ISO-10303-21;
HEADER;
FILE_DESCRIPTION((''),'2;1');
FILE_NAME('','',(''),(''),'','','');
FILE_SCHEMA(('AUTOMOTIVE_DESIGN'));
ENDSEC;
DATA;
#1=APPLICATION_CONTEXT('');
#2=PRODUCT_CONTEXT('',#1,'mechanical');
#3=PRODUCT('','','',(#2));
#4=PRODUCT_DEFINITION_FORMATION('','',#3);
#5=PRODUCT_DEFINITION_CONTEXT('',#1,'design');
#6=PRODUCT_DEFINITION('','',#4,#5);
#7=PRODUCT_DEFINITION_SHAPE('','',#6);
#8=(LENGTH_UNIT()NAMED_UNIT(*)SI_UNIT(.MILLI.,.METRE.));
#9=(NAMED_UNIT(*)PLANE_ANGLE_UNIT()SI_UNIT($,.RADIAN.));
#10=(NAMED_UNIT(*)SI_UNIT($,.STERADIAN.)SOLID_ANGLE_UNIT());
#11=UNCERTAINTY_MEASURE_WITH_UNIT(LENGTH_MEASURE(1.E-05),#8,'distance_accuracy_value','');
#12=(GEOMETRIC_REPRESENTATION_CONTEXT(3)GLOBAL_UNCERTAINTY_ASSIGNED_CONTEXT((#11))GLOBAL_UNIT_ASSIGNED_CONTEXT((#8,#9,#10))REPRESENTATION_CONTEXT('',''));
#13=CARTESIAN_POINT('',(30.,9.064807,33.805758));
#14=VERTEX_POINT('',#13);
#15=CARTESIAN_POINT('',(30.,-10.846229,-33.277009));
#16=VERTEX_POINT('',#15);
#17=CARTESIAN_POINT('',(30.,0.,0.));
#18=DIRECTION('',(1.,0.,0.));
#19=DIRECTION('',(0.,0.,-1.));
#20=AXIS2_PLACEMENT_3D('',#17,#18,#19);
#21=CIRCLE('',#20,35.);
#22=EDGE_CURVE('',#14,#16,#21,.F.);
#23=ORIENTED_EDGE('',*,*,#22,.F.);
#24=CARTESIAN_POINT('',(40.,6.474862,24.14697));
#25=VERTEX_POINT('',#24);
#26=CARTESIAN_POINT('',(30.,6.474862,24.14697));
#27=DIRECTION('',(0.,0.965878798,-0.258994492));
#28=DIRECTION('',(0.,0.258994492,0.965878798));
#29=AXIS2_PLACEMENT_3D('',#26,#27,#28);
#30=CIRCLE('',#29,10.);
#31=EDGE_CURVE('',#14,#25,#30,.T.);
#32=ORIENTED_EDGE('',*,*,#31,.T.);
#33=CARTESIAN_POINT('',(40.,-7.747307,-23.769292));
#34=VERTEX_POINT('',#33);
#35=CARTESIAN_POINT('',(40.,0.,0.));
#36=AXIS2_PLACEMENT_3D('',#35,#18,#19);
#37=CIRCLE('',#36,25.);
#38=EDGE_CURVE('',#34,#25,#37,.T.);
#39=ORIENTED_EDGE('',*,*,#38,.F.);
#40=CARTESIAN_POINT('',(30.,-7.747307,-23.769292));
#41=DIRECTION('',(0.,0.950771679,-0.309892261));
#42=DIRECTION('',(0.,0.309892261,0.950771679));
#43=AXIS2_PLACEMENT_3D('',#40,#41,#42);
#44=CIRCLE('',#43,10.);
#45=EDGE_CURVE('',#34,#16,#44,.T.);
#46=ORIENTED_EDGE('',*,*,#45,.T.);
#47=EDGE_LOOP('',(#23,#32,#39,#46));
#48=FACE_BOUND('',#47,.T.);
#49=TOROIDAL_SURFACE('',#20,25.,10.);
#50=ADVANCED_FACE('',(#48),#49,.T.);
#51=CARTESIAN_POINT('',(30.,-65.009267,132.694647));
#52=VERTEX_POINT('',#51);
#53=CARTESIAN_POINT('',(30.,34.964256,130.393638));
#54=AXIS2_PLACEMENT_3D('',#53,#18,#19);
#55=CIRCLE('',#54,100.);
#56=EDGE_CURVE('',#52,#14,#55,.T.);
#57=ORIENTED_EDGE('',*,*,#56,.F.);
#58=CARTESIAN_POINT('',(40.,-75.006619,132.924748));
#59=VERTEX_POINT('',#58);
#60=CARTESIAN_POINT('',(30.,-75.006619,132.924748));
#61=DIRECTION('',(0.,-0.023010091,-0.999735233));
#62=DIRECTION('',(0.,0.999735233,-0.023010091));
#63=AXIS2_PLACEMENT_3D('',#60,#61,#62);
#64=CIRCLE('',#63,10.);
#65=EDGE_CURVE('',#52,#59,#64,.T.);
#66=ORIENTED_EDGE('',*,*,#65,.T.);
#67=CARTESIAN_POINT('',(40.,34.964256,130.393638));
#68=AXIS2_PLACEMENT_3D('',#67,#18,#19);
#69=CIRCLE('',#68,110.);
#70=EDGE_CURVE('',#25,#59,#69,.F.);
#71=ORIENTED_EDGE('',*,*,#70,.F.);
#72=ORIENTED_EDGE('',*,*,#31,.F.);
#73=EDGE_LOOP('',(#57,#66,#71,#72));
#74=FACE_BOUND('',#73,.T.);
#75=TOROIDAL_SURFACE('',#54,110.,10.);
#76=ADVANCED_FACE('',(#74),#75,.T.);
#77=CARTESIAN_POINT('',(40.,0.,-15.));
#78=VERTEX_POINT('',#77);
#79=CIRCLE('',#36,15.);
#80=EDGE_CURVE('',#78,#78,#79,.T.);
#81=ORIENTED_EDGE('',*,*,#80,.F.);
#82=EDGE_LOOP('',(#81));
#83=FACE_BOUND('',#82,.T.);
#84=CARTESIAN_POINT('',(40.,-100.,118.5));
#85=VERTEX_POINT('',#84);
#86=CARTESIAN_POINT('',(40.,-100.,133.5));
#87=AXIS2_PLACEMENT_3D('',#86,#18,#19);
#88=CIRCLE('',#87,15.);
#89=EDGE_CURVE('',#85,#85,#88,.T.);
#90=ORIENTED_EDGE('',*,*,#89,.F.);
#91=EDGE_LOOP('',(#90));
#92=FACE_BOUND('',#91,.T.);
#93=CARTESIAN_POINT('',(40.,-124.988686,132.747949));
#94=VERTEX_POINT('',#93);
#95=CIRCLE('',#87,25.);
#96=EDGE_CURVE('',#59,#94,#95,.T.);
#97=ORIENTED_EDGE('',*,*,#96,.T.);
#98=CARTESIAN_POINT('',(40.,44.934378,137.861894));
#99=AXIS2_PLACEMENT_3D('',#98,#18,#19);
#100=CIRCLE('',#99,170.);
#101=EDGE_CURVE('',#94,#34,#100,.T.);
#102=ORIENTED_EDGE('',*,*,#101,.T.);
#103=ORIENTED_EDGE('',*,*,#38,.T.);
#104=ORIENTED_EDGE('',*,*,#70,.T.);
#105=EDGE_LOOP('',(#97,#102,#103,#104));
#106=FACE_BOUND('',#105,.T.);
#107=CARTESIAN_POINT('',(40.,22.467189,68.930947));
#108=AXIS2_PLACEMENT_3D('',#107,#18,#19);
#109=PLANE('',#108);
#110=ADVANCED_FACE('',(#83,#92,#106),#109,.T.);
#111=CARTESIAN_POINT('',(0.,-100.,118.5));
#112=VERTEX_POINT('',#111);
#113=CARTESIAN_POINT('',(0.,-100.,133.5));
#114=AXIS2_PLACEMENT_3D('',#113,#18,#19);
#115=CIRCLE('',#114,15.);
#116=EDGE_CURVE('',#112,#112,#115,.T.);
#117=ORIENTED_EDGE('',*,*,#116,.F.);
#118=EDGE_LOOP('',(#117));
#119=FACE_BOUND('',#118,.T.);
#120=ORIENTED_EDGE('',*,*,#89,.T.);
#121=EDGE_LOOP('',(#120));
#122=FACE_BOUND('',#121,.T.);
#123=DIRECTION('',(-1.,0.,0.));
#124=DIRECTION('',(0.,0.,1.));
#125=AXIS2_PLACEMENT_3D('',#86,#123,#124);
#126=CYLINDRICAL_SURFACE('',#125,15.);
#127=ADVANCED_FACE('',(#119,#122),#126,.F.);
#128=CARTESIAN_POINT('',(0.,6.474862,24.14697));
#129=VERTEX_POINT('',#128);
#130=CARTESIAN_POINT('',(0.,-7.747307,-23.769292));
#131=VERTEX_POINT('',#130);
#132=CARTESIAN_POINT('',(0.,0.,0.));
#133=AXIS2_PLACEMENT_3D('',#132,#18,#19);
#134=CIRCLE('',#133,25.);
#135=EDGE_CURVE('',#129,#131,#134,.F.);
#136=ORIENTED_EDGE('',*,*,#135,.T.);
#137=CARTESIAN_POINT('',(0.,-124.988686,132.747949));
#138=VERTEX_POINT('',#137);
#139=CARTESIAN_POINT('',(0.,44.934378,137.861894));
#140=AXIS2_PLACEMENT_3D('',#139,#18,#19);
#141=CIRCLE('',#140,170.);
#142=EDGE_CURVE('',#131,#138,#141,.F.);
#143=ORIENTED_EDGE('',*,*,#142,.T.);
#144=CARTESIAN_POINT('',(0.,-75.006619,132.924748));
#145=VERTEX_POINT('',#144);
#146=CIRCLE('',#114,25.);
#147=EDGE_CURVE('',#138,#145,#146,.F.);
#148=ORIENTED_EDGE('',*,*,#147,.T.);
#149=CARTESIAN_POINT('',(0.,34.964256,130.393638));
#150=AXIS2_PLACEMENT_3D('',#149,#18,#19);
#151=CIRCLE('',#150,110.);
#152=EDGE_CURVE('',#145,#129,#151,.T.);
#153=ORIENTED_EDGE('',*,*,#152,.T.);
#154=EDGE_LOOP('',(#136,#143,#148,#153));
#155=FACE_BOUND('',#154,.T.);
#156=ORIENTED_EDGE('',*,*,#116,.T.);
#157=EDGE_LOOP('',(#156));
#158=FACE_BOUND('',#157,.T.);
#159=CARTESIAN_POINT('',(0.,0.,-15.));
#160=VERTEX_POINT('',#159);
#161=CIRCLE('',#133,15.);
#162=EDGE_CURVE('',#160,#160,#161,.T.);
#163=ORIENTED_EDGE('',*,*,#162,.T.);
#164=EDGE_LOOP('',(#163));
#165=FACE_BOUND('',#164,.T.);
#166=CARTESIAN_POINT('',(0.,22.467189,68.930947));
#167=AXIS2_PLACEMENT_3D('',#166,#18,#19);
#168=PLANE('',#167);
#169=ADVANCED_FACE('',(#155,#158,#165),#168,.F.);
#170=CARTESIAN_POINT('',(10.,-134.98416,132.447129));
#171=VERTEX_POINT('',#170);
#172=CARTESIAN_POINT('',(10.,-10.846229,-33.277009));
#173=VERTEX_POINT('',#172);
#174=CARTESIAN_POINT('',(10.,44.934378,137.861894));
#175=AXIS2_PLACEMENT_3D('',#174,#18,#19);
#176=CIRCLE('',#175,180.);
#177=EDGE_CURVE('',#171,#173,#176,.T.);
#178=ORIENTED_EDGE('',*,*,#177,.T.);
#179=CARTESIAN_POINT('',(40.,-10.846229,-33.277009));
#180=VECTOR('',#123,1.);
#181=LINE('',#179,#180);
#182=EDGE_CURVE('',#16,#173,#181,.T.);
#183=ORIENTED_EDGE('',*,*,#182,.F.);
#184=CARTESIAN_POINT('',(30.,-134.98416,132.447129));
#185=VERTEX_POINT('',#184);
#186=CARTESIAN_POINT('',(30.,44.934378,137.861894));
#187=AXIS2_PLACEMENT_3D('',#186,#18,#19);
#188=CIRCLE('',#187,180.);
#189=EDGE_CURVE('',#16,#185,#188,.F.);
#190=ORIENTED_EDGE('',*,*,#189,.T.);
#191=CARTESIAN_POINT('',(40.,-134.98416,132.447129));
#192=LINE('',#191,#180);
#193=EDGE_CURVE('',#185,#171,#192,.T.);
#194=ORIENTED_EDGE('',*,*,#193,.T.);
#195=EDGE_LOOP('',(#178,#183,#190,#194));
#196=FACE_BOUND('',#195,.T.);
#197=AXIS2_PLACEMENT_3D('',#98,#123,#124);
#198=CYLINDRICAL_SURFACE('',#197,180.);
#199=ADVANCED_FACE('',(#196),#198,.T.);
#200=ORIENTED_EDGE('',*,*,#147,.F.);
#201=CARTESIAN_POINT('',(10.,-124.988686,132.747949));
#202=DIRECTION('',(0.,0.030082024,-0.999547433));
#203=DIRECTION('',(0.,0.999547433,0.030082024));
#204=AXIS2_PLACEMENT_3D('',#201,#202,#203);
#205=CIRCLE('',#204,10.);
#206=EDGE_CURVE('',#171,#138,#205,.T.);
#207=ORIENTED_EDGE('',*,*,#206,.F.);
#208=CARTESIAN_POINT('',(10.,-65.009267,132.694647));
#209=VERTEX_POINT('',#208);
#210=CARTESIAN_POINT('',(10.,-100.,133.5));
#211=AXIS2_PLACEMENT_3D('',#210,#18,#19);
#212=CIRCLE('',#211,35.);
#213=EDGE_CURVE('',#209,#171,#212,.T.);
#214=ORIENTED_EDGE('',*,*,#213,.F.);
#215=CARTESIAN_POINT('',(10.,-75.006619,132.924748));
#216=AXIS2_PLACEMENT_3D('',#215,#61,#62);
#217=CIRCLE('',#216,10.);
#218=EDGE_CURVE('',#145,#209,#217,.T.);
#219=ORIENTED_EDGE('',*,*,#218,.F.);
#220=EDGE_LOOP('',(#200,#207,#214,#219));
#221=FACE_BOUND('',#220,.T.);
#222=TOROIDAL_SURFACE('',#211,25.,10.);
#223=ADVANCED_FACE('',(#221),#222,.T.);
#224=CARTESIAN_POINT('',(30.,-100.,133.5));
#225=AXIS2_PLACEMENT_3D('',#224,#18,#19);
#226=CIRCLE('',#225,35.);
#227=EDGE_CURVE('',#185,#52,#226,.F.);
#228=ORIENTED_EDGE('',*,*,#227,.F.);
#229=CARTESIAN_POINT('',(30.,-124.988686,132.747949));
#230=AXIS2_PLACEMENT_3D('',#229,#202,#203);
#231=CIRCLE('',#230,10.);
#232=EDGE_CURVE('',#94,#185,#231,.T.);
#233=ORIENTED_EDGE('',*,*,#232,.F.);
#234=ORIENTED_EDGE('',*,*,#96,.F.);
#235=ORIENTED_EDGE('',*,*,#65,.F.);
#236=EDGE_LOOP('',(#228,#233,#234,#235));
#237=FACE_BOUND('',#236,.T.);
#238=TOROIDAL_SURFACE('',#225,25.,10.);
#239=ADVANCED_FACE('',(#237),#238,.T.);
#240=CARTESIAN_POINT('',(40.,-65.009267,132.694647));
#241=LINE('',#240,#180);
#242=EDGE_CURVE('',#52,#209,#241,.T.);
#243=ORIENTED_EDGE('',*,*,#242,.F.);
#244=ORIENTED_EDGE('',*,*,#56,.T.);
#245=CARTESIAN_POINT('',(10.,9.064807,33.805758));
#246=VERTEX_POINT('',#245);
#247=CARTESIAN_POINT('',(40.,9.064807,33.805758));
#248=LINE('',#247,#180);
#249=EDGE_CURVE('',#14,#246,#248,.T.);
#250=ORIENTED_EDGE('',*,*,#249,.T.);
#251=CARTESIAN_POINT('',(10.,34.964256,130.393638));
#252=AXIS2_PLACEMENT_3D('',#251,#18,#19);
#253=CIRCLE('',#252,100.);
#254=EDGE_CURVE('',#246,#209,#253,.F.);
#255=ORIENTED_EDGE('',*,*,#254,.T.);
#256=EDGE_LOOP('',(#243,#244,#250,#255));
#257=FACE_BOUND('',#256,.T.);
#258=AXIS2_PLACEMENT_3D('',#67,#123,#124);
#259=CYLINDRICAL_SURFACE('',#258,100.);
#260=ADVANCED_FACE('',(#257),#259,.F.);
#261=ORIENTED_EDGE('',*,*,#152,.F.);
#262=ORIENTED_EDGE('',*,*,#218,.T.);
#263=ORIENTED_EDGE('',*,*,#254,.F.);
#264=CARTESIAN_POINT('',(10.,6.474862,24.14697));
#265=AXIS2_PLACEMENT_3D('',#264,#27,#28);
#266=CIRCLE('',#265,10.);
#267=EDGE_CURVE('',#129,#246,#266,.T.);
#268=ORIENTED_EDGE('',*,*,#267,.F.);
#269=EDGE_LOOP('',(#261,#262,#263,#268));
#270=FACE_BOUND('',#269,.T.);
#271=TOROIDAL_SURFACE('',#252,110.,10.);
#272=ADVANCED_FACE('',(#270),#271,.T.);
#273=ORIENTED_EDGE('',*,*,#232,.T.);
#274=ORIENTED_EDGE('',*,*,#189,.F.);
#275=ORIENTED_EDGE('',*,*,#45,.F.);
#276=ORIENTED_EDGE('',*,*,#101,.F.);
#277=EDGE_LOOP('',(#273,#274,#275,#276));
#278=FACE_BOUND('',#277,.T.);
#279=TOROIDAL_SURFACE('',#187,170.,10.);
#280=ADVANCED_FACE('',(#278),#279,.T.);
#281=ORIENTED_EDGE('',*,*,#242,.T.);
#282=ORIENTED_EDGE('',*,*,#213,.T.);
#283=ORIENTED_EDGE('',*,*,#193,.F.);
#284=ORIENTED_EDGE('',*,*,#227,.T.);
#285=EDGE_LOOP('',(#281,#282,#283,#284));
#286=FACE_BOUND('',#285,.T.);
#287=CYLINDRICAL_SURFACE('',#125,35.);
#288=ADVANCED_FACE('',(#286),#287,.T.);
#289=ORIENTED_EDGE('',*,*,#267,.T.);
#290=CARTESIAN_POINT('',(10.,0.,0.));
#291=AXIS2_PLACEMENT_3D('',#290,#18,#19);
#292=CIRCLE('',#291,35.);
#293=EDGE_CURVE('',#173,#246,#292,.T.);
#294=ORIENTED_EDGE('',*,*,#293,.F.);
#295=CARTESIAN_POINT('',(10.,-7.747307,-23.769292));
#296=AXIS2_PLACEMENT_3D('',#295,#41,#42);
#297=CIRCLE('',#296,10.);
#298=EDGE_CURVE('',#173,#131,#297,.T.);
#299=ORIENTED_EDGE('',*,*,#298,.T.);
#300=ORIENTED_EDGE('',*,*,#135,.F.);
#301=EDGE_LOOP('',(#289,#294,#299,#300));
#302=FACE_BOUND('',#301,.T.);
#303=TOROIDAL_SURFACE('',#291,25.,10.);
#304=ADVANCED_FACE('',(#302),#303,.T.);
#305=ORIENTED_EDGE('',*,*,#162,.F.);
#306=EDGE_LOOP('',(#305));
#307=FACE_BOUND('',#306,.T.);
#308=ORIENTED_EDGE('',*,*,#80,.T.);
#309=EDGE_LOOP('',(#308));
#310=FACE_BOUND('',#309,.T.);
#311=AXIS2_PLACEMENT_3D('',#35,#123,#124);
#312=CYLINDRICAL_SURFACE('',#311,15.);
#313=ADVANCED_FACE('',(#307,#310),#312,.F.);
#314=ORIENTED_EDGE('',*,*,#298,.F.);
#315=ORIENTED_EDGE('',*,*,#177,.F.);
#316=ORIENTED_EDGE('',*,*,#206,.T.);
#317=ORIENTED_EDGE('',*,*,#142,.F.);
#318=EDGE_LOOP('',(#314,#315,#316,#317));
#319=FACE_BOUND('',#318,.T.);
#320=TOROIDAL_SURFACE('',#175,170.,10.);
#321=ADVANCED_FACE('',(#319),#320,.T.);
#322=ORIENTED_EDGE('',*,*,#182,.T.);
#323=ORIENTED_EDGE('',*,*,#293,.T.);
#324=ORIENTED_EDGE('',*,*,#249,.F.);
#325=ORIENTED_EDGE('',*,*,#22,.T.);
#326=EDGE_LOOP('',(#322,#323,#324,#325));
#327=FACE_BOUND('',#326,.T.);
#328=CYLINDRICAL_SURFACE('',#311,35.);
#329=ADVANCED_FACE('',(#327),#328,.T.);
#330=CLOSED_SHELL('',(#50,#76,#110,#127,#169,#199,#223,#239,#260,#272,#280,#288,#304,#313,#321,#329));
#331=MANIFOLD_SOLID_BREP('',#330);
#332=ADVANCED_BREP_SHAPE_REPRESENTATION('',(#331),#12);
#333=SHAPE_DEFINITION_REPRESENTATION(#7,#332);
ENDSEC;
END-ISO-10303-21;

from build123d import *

# Parameters (mm, degrees)
SKETCH1_R           = 15
BOSS_EXTRUDE1_DEPTH = 40
FILLET1_R           = 10


with BuildPart() as part:
    # Sketch1 → Boss-Extrude1 (new body)
    with BuildSketch(Plane(origin=(0, 0, 0), x_dir=(0, 0, -1), z_dir=(1, 0, 0))):
        with BuildLine():
            ThreePointArc((33.277008782, -10.846229138), (9.959027872, 33.553207952), (-33.805757942, 9.064807223))
            ThreePointArc((-33.805757942, 9.064807223), (-70.44161018, -45.071700409), (-132.694646831, -65.009266851))
            ThreePointArc((-132.694646831, -65.009266851), (-168.499781041, -100.12380247), (-132.447129149, -134.984160172))
            ThreePointArc((-132.447129149, -134.984160172), (-29.948243855, -99.130344454), (33.277008782, -10.846229138))
        make_face()
        Circle(SKETCH1_R, mode=Mode.SUBTRACT)
        with Locations((-133.5, -100)):
            Circle(SKETCH1_R, mode=Mode.SUBTRACT)
    extrude(amount=BOSS_EXTRUDE1_DEPTH)

    # Fillet1
    fillet1_edges = [part.edges().sort_by_distance(p)[0] for p in [
        (40, -45.071700409, 70.44161018),
        (40, -100.12380247, 168.499781041),
        (40, -99.130344454, 29.948243855),
        (0, -100.12380247, 168.499781041),
        (0, -45.071700409, 70.44161018),
        (0, 33.553207952, -9.959027872),
        (0, -99.130344454, 29.948243855),
        (40, 33.553207952, -9.959027872),
    ]]
    fillet(fillet1_edges, radius=FILLET1_R)


solid = part.part
